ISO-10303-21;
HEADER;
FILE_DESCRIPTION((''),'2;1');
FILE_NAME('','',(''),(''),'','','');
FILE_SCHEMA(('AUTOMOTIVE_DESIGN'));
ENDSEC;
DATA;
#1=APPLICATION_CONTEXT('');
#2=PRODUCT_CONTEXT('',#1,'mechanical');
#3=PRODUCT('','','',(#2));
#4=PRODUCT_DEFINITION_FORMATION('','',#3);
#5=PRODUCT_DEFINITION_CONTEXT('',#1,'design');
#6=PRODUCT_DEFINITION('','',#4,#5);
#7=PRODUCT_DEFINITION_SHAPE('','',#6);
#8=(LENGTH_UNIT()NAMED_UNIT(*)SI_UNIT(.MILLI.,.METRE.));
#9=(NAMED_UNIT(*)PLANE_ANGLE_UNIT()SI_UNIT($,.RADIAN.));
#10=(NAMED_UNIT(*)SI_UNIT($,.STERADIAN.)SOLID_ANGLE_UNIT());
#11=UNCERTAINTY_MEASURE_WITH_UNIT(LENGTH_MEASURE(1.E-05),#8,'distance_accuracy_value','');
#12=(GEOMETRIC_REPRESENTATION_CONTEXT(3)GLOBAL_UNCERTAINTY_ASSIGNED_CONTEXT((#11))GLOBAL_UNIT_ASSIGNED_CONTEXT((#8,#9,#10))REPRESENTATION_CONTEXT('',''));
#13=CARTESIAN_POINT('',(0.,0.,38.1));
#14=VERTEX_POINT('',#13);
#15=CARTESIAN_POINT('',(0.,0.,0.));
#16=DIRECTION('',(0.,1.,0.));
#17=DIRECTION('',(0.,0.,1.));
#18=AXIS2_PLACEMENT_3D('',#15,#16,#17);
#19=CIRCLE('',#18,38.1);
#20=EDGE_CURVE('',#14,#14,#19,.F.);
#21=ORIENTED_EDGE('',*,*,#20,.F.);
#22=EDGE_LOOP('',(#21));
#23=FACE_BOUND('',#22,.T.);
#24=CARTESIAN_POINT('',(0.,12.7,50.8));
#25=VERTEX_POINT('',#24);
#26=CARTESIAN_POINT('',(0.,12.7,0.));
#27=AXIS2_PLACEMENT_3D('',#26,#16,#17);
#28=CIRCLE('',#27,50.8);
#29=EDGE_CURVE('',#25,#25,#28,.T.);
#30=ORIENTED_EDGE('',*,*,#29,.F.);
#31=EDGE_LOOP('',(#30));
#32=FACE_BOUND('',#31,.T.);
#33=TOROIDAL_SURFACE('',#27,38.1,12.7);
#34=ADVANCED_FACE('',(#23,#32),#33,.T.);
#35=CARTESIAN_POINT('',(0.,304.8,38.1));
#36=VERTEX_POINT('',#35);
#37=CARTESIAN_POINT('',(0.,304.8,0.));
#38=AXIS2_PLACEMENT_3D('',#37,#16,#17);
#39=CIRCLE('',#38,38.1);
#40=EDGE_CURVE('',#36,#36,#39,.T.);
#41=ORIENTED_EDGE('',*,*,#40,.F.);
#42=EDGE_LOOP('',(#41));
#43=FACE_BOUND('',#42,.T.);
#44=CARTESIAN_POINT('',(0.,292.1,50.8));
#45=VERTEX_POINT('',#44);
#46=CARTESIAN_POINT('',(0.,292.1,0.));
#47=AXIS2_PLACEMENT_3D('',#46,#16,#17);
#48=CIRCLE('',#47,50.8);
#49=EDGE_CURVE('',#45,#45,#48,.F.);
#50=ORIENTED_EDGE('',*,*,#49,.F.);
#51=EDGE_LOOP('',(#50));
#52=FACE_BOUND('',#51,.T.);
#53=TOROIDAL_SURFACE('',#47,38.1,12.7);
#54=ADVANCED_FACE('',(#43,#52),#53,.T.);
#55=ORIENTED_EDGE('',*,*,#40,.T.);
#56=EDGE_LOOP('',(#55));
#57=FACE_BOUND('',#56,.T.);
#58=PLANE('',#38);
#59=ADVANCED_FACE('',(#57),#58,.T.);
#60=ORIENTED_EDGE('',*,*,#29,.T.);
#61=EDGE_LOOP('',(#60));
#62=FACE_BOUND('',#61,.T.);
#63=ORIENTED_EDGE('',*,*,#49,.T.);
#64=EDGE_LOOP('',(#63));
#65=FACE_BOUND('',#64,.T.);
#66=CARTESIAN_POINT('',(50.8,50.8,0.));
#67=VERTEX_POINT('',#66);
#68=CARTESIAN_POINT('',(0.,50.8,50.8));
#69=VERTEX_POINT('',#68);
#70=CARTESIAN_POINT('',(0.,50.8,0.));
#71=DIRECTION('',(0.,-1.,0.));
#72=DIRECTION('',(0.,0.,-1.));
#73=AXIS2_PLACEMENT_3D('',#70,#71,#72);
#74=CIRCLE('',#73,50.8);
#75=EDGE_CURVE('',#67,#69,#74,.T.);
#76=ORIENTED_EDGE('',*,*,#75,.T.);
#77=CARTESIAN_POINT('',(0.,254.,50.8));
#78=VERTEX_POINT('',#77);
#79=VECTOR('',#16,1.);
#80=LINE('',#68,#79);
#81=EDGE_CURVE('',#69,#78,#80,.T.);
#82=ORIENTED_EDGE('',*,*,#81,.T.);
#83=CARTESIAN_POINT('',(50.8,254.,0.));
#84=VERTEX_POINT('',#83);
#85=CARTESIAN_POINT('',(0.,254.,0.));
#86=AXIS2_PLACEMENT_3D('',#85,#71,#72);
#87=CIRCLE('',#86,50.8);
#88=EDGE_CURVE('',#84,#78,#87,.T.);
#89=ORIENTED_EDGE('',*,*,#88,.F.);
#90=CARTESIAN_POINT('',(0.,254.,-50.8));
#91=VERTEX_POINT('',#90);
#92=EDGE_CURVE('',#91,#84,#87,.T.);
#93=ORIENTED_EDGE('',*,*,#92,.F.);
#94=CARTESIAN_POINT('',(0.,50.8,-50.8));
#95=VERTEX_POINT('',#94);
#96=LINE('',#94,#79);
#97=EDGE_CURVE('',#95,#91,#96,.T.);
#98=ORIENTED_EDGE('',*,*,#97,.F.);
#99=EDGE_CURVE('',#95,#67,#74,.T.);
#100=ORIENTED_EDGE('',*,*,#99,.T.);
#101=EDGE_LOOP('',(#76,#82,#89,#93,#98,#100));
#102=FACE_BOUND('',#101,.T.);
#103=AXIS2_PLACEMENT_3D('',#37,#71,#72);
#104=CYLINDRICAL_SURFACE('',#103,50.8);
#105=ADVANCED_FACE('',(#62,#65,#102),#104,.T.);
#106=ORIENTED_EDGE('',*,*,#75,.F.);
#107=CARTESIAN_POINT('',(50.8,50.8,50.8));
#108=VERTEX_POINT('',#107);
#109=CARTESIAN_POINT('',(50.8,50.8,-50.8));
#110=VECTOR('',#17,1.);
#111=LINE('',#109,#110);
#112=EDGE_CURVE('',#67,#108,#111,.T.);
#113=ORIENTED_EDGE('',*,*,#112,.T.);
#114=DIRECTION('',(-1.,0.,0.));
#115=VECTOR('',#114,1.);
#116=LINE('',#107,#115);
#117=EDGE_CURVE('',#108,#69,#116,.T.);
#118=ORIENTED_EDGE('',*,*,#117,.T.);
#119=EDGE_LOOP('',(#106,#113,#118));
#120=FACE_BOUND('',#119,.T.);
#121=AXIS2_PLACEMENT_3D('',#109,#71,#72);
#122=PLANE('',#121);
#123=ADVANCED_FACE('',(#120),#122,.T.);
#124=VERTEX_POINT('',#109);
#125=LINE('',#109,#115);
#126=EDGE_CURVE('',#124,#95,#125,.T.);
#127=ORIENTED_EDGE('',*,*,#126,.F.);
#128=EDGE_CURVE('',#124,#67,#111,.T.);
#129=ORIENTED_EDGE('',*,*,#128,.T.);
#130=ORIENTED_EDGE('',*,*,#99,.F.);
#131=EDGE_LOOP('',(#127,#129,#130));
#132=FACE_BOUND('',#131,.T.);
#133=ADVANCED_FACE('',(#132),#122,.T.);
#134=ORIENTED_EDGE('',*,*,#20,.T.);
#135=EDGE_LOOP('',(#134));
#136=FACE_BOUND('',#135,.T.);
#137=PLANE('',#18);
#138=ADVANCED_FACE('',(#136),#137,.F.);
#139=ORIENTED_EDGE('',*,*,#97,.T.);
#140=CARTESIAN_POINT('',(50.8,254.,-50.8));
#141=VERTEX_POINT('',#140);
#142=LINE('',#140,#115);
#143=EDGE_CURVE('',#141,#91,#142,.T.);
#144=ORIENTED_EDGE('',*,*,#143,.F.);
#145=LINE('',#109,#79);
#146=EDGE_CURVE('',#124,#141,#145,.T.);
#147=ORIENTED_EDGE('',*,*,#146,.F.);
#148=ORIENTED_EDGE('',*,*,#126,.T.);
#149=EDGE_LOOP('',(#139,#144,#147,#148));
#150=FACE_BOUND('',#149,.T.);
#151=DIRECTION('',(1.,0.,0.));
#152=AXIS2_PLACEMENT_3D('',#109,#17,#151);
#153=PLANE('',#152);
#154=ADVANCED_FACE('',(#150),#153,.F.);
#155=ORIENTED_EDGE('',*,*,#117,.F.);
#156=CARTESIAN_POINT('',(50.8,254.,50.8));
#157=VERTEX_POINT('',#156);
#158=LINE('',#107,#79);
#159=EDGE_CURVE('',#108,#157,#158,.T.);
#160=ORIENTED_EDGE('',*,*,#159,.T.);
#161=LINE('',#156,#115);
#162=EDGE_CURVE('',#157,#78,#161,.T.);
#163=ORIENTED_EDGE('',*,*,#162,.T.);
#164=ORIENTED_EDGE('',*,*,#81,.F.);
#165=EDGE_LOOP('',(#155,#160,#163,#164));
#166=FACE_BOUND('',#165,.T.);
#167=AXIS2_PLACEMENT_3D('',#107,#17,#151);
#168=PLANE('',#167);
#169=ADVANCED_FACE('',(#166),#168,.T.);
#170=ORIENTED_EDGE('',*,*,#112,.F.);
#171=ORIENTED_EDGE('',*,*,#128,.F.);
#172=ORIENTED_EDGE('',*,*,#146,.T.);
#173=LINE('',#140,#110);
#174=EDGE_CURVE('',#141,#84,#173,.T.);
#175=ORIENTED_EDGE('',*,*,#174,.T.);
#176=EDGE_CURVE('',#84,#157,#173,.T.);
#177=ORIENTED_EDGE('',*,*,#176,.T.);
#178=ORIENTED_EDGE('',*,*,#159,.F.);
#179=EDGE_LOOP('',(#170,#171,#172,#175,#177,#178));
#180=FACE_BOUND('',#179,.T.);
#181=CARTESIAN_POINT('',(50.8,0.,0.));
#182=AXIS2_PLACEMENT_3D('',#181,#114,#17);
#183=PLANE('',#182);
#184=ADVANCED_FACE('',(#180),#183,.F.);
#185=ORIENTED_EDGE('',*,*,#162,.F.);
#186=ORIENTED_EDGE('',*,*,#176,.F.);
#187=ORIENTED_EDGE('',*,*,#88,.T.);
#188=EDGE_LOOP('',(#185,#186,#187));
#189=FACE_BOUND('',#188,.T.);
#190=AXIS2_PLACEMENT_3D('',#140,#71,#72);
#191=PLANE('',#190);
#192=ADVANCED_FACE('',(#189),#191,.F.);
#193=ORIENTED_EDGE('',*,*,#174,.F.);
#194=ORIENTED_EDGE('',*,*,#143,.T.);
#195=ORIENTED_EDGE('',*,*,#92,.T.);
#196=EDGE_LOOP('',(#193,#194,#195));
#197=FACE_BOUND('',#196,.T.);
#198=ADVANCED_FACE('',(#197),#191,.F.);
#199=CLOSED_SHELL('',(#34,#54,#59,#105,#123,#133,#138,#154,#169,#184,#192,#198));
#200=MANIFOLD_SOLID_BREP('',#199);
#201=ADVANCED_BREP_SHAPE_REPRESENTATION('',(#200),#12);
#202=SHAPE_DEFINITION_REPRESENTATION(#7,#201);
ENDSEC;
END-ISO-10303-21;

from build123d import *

# Parameters (mm, degrees)
SKETCH1_R           = 50.8
BOSS_EXTRUDE1_DEPTH = 304.8
SKETCH2_W           = 101.6
SKETCH2_H           = 203.2
BOSS_EXTRUDE2_DEPTH = 50.8
FILLET1_R           = 12.7


with BuildPart() as part:
    # Sketch1 → Boss-Extrude1 (new body)
    with BuildSketch(Plane(origin=(0, 0, 0), x_dir=(1, 0, 0), z_dir=(0, 1, 0))):
        with Locations(Location((0, 0, 0), (0, 0, 90))):
            Circle(SKETCH1_R)
    extrude(amount=BOSS_EXTRUDE1_DEPTH)

    # Sketch2 → Boss-Extrude2 (add)
    with BuildSketch(Plane(origin=(0, 0, 0), x_dir=(0, 0, -1), z_dir=(1, 0, 0))):
        with Locations((0, 152.4)):
            Rectangle(SKETCH2_W, SKETCH2_H)
    extrude(amount=BOSS_EXTRUDE2_DEPTH)

    # Fillet1
    fillet1_edges = [part.edges().sort_by_distance(p)[0] for p in [
        (0, 0, 50.8),
        (0, 304.8, 50.8),
    ]]
    fillet(fillet1_edges, radius=FILLET1_R)


solid = part.part
